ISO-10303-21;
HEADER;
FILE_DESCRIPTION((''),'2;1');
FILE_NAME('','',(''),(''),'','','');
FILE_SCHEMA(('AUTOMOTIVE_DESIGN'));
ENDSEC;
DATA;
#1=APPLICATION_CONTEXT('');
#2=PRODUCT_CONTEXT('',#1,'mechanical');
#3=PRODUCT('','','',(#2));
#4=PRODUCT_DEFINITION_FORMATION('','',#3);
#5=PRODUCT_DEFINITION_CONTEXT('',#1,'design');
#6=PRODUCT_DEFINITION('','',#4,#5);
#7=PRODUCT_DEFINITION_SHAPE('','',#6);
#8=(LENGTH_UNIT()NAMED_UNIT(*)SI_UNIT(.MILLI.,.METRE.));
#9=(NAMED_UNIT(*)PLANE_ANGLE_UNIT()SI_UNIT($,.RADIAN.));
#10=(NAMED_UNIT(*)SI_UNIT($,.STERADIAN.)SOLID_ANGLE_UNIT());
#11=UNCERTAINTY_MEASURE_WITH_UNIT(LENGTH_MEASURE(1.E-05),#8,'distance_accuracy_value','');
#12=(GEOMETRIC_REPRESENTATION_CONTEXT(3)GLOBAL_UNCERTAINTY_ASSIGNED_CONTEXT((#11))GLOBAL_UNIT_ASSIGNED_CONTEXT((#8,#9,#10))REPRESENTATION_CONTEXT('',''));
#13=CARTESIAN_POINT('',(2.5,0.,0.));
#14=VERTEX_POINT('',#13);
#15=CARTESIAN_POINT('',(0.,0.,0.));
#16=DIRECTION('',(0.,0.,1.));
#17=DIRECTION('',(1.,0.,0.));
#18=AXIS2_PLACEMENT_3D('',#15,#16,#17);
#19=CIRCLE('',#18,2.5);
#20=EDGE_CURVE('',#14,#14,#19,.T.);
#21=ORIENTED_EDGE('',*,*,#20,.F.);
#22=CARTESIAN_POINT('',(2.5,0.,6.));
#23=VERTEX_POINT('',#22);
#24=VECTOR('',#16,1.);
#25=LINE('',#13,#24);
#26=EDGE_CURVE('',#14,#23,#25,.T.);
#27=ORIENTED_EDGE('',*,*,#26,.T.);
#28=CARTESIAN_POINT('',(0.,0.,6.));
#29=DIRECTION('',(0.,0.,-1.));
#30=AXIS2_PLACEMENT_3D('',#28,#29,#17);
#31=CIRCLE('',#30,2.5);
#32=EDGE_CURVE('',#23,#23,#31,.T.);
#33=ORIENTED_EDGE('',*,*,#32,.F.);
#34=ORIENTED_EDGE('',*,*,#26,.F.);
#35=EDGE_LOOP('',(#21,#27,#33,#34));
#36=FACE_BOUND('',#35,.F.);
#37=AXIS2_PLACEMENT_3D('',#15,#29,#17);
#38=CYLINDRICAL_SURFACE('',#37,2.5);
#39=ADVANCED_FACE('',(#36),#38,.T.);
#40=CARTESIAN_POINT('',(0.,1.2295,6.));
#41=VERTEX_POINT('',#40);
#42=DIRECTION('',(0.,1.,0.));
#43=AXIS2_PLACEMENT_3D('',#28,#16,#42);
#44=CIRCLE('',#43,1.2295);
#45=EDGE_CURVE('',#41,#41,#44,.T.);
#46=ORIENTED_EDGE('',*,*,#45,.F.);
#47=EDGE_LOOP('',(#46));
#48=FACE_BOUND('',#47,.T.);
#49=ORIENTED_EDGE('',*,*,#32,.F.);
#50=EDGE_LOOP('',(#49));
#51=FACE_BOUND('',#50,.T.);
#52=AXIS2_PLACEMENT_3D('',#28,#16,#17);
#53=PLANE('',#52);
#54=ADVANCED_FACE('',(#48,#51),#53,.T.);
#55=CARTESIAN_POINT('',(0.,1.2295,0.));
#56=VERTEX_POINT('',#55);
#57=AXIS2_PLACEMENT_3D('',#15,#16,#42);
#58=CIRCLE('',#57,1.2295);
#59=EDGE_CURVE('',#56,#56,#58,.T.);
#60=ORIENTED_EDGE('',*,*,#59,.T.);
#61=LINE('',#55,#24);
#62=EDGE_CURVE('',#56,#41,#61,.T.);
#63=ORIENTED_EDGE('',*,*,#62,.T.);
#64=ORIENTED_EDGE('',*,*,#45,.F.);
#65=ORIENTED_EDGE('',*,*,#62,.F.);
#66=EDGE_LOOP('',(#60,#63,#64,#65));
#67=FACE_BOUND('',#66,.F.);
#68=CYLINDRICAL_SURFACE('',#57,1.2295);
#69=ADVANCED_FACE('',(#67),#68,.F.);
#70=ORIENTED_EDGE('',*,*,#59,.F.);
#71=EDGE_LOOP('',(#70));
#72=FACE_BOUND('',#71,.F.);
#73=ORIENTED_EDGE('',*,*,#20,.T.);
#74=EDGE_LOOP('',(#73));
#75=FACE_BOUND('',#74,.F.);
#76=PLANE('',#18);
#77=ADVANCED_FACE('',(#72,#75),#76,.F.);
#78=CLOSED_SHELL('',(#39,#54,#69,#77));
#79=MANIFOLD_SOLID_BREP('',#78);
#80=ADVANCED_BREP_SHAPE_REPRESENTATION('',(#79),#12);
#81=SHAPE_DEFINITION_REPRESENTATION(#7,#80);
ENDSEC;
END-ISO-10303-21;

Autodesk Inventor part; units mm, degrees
ref_plane "YZ Plane" through (0, 0, 0) normal (1, 0, 0) x (0, 1, 0)
ref_plane "XZ Plane" through (0, 0, 0) normal (0, 1, 0) x (-1, 0, 0)
ref_plane "XY Plane" through (0, 0, 0) normal (0, 0, 1) x (1, 0, 0)
sketch "Sketch1" plane through (0, 0, 0) normal (0, 0, 1) x (1, 0, 0)
  line L0 (-3.5, 0) -> (3.5, 0) projected
  line L1 (0, 3.5) -> (0, -3.5) projected
  circle A0 centre (0, 0) radius 2.5
  dimension "d0" = 5
extrude "Extrusion1" add sketch "Sketch1" along normal blind 6
sketch "Sketch2" plane through (0, 0, 0) normal (0, 0, 1) x (1, 0, 0)
  line L0 (-14, 0) -> (14, 0) projected
  line L1 (0, 14) -> (0, -14) projected
  point P0 (0, 0)
  point P1 (0, 0)
hole "Hole1" at (0, 0, 0) direction (0, 0, 1) diameter 2.459 end through all thread size "M3x0.5" class "6H" standard "ISO Metric profile"
properties part number "stand M3-L6"
